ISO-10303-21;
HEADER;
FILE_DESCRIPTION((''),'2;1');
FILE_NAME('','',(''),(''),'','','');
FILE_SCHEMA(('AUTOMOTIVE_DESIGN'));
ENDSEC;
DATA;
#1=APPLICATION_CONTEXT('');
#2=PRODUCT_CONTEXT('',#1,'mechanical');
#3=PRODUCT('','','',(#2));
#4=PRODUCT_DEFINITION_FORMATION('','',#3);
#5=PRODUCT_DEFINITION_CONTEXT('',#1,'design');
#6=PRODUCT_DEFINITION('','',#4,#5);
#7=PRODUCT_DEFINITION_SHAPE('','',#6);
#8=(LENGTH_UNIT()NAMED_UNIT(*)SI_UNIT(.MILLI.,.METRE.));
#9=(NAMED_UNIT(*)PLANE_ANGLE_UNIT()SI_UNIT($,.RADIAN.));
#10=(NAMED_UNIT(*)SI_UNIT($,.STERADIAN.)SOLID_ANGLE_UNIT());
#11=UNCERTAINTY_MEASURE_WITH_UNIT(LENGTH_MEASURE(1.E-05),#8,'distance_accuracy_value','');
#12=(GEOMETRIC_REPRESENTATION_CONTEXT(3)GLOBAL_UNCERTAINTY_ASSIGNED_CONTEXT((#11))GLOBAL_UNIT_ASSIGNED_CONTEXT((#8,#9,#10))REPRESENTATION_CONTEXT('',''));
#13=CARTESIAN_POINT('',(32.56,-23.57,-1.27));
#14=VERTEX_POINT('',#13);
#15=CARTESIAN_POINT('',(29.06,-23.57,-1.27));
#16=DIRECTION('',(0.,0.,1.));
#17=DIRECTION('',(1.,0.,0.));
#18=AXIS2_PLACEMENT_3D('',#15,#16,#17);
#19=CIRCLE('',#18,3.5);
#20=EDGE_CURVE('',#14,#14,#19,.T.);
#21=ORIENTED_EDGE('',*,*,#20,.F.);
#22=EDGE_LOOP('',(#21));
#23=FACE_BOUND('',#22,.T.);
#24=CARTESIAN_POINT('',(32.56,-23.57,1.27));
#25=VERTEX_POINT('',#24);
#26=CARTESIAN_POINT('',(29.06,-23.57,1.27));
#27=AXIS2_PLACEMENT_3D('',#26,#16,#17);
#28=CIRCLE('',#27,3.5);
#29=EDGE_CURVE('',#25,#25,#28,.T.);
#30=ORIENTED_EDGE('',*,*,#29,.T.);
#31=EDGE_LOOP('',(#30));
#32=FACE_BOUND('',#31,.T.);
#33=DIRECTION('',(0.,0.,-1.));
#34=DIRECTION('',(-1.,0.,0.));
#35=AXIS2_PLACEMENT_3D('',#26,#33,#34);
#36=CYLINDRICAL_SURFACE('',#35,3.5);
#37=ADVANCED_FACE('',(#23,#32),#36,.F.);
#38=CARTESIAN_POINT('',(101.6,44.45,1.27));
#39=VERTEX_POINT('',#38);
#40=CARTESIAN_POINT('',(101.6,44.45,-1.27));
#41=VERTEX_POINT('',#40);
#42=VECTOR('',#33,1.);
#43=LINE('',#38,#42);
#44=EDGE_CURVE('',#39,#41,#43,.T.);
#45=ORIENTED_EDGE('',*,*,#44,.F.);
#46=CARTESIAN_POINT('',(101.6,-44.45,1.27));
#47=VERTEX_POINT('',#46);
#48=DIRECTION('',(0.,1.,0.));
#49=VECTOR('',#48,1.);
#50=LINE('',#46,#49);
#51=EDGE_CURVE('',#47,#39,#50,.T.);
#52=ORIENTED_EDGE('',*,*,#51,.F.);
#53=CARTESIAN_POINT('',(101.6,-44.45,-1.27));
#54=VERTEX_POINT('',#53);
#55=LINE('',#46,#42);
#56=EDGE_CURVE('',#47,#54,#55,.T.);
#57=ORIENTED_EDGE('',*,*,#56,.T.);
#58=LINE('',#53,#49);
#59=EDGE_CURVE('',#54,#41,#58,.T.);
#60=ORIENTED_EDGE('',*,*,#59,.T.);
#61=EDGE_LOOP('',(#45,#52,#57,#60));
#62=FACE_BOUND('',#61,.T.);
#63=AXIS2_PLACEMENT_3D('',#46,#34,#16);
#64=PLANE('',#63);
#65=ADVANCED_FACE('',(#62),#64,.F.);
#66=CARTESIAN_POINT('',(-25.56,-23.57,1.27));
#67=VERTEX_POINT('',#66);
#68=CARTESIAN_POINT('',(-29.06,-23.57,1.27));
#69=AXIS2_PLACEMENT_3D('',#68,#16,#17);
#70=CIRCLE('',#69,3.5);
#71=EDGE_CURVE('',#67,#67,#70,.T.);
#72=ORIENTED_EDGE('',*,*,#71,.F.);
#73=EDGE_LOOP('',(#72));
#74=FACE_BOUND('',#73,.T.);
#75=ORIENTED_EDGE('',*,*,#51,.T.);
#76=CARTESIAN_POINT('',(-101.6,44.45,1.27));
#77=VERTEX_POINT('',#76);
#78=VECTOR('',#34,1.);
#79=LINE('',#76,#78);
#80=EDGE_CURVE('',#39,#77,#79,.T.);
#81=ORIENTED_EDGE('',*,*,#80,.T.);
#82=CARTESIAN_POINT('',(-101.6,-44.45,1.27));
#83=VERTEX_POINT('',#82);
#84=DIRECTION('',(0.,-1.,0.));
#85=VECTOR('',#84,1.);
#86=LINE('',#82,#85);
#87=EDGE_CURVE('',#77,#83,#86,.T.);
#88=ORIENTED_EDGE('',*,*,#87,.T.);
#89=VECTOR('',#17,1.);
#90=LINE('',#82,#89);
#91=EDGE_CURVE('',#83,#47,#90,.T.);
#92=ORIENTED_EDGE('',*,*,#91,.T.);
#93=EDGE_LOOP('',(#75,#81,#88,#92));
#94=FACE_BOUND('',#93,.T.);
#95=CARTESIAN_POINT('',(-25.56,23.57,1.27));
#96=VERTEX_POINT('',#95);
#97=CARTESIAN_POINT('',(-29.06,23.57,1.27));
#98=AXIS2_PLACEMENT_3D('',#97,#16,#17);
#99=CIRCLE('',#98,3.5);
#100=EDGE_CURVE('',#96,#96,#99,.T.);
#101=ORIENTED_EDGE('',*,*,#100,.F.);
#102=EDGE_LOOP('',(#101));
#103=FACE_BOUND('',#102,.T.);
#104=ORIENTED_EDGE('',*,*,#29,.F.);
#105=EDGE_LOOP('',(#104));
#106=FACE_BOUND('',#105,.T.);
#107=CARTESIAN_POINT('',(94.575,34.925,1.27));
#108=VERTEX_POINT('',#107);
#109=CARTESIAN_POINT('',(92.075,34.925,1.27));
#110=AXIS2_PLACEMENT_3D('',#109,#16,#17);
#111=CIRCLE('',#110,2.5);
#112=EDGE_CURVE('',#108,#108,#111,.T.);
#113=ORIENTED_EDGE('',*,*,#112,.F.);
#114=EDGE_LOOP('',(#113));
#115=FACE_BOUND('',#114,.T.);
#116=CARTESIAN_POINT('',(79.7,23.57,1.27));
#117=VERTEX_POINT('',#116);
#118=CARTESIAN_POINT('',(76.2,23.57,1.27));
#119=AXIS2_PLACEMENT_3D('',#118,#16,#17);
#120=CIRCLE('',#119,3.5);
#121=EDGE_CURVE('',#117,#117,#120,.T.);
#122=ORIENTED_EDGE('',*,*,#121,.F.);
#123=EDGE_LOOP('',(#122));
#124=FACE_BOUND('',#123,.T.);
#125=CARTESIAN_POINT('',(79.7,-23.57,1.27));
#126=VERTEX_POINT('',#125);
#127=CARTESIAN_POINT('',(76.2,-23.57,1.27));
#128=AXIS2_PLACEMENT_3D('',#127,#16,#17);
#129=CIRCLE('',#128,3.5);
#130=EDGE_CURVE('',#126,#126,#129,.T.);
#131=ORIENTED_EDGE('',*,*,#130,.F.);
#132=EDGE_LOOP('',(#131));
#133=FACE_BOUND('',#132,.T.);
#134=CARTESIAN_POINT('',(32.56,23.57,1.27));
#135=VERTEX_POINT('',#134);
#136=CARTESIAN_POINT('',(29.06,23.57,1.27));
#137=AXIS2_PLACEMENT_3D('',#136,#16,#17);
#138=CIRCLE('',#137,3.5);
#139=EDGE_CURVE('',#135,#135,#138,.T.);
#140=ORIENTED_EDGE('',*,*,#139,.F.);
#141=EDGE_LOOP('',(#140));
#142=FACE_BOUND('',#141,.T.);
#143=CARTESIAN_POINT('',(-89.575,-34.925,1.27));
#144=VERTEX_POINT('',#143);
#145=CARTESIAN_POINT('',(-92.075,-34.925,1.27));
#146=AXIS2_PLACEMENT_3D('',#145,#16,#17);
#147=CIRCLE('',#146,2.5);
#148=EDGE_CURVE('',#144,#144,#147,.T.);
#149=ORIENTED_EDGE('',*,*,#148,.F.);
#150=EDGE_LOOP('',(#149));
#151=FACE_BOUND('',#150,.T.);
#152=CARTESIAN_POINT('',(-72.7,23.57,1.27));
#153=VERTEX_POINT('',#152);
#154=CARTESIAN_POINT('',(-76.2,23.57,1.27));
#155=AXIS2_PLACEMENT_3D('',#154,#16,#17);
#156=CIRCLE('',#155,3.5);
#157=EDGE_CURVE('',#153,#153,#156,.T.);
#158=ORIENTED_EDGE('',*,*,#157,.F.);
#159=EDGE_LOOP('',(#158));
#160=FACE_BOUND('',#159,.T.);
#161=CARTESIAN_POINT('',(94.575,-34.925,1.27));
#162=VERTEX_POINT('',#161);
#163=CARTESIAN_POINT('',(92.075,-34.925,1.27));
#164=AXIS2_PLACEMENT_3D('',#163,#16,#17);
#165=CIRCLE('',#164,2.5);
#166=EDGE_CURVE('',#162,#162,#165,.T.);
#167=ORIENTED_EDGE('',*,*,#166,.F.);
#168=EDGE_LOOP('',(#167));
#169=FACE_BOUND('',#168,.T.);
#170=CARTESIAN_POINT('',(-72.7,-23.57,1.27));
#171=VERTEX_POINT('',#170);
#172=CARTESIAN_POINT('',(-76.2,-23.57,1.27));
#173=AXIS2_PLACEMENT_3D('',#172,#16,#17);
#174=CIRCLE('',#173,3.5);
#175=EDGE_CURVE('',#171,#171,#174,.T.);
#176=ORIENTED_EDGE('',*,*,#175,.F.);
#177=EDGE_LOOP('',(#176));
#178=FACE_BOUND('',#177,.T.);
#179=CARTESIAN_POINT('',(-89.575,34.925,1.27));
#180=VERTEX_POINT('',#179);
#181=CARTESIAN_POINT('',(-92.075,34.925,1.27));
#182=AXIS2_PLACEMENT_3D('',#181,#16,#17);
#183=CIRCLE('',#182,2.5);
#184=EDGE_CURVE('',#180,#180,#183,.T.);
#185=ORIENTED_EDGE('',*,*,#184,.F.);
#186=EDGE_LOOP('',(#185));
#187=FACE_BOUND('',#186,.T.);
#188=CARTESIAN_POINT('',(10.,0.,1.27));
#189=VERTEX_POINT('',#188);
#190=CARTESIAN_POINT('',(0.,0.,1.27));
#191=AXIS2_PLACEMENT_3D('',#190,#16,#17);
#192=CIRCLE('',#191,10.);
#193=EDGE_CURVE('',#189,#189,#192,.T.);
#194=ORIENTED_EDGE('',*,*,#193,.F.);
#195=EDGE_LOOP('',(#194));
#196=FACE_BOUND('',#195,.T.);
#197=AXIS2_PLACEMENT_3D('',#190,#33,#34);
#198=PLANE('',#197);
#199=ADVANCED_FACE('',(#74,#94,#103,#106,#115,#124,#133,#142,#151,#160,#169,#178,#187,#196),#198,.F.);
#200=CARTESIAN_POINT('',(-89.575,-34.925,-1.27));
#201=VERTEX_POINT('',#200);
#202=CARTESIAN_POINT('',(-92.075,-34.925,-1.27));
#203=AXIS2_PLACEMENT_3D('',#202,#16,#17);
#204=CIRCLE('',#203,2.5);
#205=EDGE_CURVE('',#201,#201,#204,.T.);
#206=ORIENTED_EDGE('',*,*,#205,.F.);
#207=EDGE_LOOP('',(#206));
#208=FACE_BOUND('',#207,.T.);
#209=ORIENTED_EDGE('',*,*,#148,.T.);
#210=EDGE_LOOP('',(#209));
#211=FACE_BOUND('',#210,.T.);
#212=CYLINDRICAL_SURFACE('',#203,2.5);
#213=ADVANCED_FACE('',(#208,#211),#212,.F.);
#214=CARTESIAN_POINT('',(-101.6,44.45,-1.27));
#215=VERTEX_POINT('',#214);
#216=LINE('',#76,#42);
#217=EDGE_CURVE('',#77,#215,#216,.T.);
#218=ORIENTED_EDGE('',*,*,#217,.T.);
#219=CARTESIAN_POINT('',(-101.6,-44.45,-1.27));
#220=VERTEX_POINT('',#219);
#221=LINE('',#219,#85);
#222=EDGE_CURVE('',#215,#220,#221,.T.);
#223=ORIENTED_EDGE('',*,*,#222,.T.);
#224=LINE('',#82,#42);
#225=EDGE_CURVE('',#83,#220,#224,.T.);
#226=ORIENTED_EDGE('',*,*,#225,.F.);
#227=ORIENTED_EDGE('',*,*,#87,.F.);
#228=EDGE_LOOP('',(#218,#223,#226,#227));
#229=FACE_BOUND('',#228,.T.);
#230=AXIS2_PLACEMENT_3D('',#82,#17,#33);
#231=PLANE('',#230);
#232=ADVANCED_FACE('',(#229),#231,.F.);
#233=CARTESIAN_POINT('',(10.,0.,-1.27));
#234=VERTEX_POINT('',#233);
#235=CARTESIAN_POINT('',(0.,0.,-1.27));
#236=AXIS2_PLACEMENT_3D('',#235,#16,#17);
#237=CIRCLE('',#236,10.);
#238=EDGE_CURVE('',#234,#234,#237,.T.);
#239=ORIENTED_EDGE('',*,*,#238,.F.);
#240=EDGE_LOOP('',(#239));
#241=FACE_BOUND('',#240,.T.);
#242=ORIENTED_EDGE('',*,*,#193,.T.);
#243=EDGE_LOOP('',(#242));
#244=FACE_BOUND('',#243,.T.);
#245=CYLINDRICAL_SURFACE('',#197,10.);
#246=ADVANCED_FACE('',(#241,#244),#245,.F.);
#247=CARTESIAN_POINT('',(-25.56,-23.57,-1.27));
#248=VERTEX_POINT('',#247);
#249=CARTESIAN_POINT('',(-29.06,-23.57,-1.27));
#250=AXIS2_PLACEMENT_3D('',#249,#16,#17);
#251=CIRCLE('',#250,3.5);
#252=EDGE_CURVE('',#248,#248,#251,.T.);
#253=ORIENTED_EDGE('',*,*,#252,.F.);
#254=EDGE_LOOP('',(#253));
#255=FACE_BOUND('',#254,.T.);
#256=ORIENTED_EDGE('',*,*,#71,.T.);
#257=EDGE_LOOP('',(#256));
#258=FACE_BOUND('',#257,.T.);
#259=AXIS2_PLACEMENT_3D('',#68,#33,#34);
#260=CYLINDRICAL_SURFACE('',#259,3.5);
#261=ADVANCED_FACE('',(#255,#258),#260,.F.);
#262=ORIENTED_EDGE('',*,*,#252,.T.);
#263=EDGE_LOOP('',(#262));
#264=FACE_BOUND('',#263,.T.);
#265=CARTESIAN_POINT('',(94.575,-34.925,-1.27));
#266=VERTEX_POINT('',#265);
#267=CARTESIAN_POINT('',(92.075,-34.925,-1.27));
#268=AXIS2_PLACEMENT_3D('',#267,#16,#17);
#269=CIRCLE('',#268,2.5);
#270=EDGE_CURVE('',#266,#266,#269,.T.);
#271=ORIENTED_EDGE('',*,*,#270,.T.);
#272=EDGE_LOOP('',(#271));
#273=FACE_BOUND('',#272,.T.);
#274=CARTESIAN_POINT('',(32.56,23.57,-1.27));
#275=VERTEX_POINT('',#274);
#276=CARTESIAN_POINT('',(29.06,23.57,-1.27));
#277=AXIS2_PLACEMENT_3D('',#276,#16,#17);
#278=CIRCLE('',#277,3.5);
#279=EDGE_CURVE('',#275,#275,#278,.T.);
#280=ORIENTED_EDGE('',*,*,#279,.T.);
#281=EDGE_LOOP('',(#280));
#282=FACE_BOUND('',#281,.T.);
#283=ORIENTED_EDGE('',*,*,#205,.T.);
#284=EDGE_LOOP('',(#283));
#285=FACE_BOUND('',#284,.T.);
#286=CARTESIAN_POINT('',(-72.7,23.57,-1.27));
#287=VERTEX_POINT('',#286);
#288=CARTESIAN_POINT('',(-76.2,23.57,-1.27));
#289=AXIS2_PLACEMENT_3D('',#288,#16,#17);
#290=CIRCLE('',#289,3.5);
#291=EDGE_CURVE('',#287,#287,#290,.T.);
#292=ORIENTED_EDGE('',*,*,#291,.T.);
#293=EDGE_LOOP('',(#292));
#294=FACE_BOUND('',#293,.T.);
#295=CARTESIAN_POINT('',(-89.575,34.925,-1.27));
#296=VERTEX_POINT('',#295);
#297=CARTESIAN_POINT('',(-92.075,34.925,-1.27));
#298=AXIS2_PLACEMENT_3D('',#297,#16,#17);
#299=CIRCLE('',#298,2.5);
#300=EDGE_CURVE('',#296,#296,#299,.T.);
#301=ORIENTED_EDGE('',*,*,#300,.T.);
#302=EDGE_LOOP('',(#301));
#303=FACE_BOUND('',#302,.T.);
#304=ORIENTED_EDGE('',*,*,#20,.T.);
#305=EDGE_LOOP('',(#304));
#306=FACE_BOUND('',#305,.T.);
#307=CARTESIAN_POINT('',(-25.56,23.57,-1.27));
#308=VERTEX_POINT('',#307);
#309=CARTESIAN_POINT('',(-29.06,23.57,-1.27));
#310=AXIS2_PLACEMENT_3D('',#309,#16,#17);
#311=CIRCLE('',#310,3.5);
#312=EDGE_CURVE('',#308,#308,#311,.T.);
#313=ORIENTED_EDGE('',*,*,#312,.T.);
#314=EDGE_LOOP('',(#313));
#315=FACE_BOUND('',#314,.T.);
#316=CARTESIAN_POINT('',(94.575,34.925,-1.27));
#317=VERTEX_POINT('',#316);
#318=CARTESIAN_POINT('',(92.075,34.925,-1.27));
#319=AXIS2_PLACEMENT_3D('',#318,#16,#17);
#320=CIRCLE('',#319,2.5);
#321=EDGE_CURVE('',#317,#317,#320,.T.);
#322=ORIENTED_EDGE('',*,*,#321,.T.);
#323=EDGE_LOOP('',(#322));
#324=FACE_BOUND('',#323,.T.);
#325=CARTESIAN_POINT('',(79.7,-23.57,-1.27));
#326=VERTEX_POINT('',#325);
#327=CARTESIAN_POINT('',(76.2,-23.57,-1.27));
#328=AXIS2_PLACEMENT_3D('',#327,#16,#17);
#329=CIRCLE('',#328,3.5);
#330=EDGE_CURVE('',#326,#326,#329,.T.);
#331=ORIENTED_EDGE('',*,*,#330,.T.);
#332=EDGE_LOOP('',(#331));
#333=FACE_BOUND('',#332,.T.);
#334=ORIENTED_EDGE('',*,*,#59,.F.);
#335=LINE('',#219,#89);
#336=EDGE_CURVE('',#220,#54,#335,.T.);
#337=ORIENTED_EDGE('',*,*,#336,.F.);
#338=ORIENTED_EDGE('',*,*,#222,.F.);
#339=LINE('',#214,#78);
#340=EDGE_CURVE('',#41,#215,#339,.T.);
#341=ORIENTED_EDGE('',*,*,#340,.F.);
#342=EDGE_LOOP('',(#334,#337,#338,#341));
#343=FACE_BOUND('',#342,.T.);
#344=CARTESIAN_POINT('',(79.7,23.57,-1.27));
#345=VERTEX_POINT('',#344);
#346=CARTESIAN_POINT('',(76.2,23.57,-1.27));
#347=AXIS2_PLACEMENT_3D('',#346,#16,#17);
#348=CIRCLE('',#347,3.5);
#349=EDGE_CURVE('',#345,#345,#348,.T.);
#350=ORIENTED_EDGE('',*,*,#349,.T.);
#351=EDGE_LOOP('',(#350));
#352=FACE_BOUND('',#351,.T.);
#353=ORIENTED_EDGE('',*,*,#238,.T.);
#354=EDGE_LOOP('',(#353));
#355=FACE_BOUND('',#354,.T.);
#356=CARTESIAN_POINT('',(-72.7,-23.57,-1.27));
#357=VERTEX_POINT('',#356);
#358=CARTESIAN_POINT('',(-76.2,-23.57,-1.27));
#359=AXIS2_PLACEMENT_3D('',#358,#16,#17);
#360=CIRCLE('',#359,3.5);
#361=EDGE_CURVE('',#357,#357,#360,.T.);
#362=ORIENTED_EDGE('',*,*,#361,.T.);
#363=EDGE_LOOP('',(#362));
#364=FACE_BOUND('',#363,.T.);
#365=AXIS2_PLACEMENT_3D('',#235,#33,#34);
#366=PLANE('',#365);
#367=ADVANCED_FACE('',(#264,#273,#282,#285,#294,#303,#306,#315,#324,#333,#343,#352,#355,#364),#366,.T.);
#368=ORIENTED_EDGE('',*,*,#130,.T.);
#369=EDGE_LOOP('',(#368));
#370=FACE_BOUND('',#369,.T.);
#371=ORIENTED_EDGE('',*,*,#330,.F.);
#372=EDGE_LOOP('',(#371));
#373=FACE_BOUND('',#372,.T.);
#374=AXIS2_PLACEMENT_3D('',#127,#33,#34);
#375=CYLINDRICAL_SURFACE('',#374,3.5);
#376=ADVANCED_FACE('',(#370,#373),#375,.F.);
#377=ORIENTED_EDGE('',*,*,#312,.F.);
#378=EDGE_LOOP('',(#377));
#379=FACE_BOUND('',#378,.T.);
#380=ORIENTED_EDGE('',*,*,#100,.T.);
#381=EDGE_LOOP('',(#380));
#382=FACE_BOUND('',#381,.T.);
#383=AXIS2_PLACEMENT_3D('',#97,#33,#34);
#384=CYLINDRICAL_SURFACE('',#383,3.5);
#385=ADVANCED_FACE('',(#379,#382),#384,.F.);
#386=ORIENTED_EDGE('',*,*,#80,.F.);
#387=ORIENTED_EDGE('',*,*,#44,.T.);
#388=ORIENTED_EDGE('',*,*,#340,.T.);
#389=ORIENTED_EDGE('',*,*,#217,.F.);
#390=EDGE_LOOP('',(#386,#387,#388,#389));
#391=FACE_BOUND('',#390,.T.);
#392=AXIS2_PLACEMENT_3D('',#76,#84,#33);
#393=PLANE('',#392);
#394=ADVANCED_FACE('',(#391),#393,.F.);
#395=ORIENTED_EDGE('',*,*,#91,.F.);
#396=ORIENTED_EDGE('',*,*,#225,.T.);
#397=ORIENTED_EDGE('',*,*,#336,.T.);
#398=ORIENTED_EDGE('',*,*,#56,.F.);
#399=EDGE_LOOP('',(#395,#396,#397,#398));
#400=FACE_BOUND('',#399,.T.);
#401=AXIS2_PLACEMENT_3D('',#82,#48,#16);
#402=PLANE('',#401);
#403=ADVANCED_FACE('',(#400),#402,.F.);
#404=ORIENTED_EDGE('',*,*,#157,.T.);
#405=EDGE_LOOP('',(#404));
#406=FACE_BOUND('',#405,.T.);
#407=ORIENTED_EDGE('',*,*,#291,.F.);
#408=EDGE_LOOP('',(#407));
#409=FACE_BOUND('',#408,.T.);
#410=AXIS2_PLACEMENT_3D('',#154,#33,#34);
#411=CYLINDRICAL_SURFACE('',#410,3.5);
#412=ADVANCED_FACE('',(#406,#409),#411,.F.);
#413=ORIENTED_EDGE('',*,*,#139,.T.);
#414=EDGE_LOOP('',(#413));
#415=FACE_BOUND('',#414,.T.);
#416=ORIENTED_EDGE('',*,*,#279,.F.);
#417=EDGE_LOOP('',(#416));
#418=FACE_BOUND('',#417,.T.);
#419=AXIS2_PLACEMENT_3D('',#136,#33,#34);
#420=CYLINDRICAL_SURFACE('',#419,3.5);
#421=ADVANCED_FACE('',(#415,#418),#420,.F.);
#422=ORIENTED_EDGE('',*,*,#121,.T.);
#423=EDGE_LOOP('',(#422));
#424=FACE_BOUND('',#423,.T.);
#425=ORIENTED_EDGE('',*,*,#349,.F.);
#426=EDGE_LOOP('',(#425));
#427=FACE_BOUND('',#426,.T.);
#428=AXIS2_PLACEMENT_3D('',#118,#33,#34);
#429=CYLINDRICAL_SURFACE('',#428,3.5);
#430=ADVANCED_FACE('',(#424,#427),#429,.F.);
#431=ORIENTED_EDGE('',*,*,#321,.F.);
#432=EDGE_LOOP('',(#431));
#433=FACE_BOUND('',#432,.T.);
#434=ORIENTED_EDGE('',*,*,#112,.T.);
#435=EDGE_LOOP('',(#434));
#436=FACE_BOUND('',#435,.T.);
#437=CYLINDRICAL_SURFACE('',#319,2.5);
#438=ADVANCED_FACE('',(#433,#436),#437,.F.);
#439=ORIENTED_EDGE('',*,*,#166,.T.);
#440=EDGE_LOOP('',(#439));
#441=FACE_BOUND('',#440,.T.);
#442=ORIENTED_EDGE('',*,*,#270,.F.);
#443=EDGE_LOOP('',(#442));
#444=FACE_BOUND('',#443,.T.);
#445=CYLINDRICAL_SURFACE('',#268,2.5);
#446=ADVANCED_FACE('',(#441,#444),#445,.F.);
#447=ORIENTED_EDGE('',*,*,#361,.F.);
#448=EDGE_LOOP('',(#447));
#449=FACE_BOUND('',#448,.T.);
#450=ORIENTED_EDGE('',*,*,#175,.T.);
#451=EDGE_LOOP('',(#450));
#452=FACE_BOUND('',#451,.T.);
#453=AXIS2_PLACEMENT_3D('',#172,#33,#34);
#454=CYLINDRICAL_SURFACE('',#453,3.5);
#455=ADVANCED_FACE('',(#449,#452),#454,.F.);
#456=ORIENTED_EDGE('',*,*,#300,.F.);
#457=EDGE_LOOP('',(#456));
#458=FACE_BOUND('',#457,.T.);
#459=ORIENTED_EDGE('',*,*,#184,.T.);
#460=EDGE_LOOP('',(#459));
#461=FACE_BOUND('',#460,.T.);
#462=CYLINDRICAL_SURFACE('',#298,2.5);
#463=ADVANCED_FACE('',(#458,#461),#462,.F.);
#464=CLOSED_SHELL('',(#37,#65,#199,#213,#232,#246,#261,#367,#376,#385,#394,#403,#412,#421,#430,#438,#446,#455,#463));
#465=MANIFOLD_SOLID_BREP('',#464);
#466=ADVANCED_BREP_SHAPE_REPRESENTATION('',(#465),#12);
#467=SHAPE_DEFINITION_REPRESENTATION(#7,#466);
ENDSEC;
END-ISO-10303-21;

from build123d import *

# Parameters (mm, degrees)
SKETCH2_W           = 203.2
SKETCH2_H           = 88.9
SKETCH2_R           = 3.5
SKETCH2_R_2         = 10
BOSS_EXTRUDE1_DEPTH = 1.27
SKETCH3_R           = 2.5
CUT_EXTRUDE1_DEPTH  = 111.92706658


with BuildPart() as part:
    # Sketch2 → Boss-Extrude1 (new, symmetric)
    with BuildSketch(Plane.XY):
        Rectangle(SKETCH2_W, SKETCH2_H)
        with Locations((-76.2, 23.57)):
            Circle(SKETCH2_R, mode=Mode.SUBTRACT)
        with Locations((-29.06, 23.57)):
            Circle(SKETCH2_R, mode=Mode.SUBTRACT)
        with Locations((-29.06, -23.57)):
            Circle(SKETCH2_R, mode=Mode.SUBTRACT)
        with Locations((-76.2, -23.57)):
            Circle(SKETCH2_R, mode=Mode.SUBTRACT)
        with Locations((29.06, -23.57)):
            Circle(SKETCH2_R, mode=Mode.SUBTRACT)
        with Locations((76.2, -23.57)):
            Circle(SKETCH2_R, mode=Mode.SUBTRACT)
        with Locations((76.2, 23.57)):
            Circle(SKETCH2_R, mode=Mode.SUBTRACT)
        with Locations((29.06, 23.57)):
            Circle(SKETCH2_R, mode=Mode.SUBTRACT)
        Circle(SKETCH2_R_2, mode=Mode.SUBTRACT)
    extrude(amount=BOSS_EXTRUDE1_DEPTH, both=True)

    # Sketch3 → Cut-Extrude1 (cut, through all)
    with BuildSketch(Plane.XY.offset(1.27)):
        with Locations((-92.075, 34.925)):
            Circle(SKETCH3_R)
        with Locations((-92.075, -34.925)):
            Circle(SKETCH3_R)
        with Locations((92.075, -34.925)):
            Circle(SKETCH3_R)
        with Locations((92.075, 34.925)):
            Circle(SKETCH3_R)
    extrude(amount=-CUT_EXTRUDE1_DEPTH, mode=Mode.SUBTRACT)


solid = part.part
